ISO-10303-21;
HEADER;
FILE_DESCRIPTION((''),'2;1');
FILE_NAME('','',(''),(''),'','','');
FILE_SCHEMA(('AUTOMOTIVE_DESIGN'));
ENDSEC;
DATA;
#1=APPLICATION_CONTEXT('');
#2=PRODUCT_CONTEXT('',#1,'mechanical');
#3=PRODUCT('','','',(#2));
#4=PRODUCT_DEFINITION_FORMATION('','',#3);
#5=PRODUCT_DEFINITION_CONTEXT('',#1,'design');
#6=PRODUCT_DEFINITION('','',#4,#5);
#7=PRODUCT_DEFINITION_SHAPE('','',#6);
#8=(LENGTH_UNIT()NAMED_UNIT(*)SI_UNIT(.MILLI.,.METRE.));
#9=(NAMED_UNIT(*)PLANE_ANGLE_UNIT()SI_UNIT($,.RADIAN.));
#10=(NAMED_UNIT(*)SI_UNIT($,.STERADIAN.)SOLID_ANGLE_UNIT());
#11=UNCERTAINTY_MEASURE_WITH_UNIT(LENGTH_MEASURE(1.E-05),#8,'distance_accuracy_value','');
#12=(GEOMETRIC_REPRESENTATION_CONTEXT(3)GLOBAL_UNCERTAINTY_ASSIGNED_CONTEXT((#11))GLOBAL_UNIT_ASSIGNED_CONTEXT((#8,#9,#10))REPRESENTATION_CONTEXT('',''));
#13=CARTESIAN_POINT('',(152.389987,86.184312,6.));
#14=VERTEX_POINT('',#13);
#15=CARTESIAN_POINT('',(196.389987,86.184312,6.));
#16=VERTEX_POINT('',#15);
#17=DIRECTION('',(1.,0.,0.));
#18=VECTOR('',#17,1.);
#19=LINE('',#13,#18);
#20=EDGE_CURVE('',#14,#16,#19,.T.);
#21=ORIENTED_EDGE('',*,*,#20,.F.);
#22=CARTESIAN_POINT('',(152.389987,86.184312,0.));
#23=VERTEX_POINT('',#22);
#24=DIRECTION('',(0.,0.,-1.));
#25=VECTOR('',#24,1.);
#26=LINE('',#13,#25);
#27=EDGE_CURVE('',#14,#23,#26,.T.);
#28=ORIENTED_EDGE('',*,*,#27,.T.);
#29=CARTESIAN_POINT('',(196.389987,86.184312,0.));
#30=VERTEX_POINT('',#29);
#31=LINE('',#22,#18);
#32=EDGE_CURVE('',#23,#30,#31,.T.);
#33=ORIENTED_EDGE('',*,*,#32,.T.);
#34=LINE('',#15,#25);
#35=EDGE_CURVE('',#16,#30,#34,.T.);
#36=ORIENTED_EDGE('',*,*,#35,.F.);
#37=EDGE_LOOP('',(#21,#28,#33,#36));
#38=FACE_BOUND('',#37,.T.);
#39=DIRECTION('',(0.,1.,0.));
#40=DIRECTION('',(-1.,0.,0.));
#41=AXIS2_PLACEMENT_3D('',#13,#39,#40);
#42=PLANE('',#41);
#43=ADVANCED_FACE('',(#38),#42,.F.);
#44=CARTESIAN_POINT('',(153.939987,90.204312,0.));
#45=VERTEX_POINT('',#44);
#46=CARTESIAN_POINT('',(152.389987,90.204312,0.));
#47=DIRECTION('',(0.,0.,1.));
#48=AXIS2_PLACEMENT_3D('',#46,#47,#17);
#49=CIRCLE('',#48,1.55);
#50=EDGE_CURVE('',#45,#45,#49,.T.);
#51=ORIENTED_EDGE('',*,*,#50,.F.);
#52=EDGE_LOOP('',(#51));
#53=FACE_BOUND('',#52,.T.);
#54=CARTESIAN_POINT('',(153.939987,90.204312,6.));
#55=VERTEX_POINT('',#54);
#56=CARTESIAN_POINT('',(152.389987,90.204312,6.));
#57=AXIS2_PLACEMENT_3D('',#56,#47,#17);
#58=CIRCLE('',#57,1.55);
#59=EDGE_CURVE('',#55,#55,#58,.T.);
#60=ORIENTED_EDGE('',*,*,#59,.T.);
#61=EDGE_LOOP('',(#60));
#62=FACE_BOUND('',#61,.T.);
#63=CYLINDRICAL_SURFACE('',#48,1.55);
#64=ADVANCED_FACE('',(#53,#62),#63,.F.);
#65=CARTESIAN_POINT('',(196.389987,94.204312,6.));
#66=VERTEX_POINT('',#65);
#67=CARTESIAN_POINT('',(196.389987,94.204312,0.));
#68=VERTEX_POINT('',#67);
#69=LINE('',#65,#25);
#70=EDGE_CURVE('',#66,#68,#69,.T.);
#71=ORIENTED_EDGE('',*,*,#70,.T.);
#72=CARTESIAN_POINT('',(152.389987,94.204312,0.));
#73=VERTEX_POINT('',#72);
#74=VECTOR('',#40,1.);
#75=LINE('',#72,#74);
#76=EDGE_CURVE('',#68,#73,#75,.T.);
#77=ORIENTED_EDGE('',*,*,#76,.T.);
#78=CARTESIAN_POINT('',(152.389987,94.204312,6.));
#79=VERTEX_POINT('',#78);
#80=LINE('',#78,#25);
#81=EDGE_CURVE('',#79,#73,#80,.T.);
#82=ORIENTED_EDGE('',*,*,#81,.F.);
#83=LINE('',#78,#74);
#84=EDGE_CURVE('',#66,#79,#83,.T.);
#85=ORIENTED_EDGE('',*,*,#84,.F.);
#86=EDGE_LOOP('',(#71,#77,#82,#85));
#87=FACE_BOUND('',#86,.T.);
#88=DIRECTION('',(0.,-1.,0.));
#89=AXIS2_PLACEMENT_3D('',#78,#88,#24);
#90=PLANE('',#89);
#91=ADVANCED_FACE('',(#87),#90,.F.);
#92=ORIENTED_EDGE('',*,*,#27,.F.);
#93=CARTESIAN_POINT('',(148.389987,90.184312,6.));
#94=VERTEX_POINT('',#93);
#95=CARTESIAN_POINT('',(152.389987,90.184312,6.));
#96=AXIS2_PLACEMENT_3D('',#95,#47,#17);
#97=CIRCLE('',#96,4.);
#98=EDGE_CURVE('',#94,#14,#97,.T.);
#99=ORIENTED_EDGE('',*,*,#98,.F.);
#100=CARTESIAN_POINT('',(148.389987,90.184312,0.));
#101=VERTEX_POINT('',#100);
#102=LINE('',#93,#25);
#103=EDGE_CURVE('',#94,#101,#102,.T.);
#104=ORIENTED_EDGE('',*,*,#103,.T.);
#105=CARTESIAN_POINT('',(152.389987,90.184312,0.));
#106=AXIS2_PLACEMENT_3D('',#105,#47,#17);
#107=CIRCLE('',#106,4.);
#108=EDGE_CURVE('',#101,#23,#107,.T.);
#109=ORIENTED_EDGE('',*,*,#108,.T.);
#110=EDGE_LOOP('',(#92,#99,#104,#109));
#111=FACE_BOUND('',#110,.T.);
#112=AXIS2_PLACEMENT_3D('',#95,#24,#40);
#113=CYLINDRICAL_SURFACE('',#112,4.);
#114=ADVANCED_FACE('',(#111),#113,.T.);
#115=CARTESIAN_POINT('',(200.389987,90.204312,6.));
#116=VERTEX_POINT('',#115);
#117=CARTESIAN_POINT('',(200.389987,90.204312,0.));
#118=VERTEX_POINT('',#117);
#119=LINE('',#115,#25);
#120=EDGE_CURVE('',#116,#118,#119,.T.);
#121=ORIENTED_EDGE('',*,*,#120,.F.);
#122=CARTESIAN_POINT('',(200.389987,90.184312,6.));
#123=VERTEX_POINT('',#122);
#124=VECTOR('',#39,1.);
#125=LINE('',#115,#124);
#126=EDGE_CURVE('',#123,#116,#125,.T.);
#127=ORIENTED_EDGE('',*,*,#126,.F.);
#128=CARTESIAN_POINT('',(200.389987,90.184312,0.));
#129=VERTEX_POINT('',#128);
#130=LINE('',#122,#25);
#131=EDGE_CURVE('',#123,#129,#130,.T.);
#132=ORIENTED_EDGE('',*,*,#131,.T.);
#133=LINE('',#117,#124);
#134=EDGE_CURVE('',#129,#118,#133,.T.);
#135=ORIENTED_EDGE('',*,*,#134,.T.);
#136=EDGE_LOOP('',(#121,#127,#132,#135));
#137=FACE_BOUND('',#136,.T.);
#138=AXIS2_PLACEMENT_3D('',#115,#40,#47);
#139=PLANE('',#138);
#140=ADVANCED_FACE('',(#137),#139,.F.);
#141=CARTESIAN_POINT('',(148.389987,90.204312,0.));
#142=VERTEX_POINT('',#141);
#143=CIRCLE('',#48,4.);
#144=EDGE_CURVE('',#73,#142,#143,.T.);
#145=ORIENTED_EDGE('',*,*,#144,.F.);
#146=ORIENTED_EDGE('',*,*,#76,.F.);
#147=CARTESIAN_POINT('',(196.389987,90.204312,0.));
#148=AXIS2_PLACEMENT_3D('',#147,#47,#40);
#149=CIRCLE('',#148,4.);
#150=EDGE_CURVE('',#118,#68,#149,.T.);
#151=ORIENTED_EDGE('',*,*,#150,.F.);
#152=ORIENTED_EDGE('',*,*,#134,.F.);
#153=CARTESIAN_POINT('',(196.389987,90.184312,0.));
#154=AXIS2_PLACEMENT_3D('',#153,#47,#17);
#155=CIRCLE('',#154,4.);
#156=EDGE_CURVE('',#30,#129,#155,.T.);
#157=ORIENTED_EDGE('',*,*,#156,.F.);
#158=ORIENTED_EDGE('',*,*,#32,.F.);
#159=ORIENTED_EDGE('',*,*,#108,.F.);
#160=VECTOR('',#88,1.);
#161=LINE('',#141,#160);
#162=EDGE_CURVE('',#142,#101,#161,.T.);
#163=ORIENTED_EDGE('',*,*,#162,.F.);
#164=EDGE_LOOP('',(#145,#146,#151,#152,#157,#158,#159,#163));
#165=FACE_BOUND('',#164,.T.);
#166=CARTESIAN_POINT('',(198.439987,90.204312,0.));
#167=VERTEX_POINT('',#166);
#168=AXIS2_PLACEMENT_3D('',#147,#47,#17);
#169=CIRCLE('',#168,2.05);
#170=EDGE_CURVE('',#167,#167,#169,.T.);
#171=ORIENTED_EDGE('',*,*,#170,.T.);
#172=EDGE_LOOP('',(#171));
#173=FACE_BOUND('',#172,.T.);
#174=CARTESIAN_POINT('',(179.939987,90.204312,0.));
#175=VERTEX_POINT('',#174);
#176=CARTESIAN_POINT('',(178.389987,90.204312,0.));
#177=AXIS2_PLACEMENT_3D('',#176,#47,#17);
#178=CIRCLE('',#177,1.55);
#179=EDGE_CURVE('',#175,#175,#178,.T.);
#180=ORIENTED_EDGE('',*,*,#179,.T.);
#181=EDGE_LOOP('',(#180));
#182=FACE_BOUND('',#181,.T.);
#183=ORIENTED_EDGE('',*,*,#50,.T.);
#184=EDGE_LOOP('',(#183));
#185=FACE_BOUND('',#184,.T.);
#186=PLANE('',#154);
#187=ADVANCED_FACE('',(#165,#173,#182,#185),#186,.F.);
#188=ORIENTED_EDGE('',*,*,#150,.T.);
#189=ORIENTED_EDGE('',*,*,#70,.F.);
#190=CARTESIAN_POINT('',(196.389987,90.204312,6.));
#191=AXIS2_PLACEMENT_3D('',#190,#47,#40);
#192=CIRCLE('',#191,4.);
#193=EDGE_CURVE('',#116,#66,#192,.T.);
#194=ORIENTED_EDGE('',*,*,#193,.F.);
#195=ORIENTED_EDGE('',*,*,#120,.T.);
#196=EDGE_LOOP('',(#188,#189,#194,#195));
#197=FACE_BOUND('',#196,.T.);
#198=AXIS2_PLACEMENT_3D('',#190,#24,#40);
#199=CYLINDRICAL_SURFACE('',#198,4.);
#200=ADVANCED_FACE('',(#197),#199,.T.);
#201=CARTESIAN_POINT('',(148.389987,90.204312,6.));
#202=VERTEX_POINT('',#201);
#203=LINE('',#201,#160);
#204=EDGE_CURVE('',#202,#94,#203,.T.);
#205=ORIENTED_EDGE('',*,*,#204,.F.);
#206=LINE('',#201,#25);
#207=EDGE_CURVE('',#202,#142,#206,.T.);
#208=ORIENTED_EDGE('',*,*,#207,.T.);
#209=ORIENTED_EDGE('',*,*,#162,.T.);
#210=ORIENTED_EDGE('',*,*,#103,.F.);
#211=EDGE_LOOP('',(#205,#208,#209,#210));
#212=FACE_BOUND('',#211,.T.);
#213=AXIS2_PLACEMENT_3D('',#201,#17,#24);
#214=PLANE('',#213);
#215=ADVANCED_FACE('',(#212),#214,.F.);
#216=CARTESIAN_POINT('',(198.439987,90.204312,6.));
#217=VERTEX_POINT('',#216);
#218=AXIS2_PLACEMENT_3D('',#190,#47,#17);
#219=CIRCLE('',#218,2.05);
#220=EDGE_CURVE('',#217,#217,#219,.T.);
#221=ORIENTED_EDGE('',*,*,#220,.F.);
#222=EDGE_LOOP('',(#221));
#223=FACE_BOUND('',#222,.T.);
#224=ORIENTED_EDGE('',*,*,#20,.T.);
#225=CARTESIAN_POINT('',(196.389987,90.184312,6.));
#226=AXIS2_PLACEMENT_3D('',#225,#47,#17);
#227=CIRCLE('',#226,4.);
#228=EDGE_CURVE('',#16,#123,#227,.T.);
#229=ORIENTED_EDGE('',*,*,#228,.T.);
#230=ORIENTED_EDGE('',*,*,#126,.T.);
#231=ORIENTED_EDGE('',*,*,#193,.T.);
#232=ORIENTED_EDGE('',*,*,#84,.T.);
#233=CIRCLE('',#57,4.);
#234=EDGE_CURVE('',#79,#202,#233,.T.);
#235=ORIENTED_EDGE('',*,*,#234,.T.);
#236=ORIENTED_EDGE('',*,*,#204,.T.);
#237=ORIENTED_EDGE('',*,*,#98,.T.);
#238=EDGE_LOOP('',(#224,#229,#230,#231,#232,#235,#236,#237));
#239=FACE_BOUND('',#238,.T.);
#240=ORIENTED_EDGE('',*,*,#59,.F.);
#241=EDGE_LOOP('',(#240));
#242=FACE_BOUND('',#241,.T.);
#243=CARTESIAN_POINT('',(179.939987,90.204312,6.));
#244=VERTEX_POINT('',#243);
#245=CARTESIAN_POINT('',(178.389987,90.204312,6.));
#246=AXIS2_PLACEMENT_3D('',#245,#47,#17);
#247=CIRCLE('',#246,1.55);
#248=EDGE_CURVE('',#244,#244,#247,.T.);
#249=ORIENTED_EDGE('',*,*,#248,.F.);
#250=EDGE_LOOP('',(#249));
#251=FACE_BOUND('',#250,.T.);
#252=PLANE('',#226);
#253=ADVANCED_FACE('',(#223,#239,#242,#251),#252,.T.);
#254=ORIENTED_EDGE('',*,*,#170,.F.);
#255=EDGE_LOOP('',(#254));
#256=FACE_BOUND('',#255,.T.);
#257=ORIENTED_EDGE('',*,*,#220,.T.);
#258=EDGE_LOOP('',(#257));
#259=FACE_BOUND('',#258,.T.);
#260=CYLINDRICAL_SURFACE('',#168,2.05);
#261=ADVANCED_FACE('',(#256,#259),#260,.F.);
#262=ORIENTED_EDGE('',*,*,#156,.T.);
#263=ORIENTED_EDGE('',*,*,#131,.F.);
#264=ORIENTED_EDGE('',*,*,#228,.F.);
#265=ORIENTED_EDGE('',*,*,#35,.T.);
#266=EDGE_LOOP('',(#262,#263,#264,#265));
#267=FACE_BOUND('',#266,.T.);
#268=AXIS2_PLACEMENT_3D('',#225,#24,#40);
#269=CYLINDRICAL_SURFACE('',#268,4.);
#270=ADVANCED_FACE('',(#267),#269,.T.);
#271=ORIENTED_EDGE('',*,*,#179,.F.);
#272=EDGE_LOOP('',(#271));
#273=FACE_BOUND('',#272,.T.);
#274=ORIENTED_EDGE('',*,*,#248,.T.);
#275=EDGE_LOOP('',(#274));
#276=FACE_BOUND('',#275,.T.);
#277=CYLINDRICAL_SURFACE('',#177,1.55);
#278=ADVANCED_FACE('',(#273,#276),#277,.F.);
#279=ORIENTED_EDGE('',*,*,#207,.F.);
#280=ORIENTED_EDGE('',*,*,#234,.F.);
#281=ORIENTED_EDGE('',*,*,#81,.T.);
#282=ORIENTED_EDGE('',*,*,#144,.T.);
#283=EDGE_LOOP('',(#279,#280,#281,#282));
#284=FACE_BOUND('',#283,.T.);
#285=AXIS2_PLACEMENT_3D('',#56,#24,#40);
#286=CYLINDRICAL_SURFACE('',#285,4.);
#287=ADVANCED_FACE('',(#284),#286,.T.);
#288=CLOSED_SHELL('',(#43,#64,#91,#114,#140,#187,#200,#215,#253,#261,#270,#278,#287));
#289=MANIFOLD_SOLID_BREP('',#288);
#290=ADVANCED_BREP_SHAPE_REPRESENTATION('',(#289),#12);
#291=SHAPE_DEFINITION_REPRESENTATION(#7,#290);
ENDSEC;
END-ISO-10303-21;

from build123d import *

# Parameters (mm, degrees)
DODANIE_WYCI_GNI_CIE1_DEPTH = 6
SZKIC2_R                    = 2.05
SZKIC2_R_2                  = 1.55
WYTNIJ_WYCI_GNI_CIE1_DEPTH  = 6


with BuildPart() as part:
    # Szkic1 → Dodanie-wyciągnięcie1 (new body)
    with BuildSketch(Plane.XY):
        with BuildLine():
            Line((148.389986738, 90.204311715), (148.389986738, 90.184311715))
            ThreePointArc((148.389986738, 90.184311715), (149.561559613, 87.35588459), (152.389986738, 86.184311715))
            Line((152.389986738, 86.184311715), (196.389986738, 86.184311715))
            ThreePointArc((196.389986738, 86.184311715), (199.218413863, 87.35588459), (200.389986738, 90.184311715))
            Line((200.389986738, 90.184311715), (200.389986738, 90.204311715))
            ThreePointArc((200.389986738, 90.204311715), (199.218413863, 93.032738839), (196.389986738, 94.204311715))
            Line((196.389986738, 94.204311715), (152.389986738, 94.204311715))
            ThreePointArc((152.389986738, 94.204311715), (149.561559613, 93.032738839), (148.389986738, 90.204311715))
        make_face()
    extrude(amount=DODANIE_WYCI_GNI_CIE1_DEPTH)

    # Szkic2 → Wytnij-wyciągnięcie1 (cut)
    with BuildSketch(Plane.XY.offset(6)):
        with Locations((196.389986738, 90.204311714)):
            Circle(SZKIC2_R)
        with Locations((178.389986738, 90.204311714)):
            Circle(SZKIC2_R_2)
        with Locations((152.389986738, 90.204311714)):
            Circle(SZKIC2_R_2)
    extrude(amount=-WYTNIJ_WYCI_GNI_CIE1_DEPTH, mode=Mode.SUBTRACT)


solid = part.part
